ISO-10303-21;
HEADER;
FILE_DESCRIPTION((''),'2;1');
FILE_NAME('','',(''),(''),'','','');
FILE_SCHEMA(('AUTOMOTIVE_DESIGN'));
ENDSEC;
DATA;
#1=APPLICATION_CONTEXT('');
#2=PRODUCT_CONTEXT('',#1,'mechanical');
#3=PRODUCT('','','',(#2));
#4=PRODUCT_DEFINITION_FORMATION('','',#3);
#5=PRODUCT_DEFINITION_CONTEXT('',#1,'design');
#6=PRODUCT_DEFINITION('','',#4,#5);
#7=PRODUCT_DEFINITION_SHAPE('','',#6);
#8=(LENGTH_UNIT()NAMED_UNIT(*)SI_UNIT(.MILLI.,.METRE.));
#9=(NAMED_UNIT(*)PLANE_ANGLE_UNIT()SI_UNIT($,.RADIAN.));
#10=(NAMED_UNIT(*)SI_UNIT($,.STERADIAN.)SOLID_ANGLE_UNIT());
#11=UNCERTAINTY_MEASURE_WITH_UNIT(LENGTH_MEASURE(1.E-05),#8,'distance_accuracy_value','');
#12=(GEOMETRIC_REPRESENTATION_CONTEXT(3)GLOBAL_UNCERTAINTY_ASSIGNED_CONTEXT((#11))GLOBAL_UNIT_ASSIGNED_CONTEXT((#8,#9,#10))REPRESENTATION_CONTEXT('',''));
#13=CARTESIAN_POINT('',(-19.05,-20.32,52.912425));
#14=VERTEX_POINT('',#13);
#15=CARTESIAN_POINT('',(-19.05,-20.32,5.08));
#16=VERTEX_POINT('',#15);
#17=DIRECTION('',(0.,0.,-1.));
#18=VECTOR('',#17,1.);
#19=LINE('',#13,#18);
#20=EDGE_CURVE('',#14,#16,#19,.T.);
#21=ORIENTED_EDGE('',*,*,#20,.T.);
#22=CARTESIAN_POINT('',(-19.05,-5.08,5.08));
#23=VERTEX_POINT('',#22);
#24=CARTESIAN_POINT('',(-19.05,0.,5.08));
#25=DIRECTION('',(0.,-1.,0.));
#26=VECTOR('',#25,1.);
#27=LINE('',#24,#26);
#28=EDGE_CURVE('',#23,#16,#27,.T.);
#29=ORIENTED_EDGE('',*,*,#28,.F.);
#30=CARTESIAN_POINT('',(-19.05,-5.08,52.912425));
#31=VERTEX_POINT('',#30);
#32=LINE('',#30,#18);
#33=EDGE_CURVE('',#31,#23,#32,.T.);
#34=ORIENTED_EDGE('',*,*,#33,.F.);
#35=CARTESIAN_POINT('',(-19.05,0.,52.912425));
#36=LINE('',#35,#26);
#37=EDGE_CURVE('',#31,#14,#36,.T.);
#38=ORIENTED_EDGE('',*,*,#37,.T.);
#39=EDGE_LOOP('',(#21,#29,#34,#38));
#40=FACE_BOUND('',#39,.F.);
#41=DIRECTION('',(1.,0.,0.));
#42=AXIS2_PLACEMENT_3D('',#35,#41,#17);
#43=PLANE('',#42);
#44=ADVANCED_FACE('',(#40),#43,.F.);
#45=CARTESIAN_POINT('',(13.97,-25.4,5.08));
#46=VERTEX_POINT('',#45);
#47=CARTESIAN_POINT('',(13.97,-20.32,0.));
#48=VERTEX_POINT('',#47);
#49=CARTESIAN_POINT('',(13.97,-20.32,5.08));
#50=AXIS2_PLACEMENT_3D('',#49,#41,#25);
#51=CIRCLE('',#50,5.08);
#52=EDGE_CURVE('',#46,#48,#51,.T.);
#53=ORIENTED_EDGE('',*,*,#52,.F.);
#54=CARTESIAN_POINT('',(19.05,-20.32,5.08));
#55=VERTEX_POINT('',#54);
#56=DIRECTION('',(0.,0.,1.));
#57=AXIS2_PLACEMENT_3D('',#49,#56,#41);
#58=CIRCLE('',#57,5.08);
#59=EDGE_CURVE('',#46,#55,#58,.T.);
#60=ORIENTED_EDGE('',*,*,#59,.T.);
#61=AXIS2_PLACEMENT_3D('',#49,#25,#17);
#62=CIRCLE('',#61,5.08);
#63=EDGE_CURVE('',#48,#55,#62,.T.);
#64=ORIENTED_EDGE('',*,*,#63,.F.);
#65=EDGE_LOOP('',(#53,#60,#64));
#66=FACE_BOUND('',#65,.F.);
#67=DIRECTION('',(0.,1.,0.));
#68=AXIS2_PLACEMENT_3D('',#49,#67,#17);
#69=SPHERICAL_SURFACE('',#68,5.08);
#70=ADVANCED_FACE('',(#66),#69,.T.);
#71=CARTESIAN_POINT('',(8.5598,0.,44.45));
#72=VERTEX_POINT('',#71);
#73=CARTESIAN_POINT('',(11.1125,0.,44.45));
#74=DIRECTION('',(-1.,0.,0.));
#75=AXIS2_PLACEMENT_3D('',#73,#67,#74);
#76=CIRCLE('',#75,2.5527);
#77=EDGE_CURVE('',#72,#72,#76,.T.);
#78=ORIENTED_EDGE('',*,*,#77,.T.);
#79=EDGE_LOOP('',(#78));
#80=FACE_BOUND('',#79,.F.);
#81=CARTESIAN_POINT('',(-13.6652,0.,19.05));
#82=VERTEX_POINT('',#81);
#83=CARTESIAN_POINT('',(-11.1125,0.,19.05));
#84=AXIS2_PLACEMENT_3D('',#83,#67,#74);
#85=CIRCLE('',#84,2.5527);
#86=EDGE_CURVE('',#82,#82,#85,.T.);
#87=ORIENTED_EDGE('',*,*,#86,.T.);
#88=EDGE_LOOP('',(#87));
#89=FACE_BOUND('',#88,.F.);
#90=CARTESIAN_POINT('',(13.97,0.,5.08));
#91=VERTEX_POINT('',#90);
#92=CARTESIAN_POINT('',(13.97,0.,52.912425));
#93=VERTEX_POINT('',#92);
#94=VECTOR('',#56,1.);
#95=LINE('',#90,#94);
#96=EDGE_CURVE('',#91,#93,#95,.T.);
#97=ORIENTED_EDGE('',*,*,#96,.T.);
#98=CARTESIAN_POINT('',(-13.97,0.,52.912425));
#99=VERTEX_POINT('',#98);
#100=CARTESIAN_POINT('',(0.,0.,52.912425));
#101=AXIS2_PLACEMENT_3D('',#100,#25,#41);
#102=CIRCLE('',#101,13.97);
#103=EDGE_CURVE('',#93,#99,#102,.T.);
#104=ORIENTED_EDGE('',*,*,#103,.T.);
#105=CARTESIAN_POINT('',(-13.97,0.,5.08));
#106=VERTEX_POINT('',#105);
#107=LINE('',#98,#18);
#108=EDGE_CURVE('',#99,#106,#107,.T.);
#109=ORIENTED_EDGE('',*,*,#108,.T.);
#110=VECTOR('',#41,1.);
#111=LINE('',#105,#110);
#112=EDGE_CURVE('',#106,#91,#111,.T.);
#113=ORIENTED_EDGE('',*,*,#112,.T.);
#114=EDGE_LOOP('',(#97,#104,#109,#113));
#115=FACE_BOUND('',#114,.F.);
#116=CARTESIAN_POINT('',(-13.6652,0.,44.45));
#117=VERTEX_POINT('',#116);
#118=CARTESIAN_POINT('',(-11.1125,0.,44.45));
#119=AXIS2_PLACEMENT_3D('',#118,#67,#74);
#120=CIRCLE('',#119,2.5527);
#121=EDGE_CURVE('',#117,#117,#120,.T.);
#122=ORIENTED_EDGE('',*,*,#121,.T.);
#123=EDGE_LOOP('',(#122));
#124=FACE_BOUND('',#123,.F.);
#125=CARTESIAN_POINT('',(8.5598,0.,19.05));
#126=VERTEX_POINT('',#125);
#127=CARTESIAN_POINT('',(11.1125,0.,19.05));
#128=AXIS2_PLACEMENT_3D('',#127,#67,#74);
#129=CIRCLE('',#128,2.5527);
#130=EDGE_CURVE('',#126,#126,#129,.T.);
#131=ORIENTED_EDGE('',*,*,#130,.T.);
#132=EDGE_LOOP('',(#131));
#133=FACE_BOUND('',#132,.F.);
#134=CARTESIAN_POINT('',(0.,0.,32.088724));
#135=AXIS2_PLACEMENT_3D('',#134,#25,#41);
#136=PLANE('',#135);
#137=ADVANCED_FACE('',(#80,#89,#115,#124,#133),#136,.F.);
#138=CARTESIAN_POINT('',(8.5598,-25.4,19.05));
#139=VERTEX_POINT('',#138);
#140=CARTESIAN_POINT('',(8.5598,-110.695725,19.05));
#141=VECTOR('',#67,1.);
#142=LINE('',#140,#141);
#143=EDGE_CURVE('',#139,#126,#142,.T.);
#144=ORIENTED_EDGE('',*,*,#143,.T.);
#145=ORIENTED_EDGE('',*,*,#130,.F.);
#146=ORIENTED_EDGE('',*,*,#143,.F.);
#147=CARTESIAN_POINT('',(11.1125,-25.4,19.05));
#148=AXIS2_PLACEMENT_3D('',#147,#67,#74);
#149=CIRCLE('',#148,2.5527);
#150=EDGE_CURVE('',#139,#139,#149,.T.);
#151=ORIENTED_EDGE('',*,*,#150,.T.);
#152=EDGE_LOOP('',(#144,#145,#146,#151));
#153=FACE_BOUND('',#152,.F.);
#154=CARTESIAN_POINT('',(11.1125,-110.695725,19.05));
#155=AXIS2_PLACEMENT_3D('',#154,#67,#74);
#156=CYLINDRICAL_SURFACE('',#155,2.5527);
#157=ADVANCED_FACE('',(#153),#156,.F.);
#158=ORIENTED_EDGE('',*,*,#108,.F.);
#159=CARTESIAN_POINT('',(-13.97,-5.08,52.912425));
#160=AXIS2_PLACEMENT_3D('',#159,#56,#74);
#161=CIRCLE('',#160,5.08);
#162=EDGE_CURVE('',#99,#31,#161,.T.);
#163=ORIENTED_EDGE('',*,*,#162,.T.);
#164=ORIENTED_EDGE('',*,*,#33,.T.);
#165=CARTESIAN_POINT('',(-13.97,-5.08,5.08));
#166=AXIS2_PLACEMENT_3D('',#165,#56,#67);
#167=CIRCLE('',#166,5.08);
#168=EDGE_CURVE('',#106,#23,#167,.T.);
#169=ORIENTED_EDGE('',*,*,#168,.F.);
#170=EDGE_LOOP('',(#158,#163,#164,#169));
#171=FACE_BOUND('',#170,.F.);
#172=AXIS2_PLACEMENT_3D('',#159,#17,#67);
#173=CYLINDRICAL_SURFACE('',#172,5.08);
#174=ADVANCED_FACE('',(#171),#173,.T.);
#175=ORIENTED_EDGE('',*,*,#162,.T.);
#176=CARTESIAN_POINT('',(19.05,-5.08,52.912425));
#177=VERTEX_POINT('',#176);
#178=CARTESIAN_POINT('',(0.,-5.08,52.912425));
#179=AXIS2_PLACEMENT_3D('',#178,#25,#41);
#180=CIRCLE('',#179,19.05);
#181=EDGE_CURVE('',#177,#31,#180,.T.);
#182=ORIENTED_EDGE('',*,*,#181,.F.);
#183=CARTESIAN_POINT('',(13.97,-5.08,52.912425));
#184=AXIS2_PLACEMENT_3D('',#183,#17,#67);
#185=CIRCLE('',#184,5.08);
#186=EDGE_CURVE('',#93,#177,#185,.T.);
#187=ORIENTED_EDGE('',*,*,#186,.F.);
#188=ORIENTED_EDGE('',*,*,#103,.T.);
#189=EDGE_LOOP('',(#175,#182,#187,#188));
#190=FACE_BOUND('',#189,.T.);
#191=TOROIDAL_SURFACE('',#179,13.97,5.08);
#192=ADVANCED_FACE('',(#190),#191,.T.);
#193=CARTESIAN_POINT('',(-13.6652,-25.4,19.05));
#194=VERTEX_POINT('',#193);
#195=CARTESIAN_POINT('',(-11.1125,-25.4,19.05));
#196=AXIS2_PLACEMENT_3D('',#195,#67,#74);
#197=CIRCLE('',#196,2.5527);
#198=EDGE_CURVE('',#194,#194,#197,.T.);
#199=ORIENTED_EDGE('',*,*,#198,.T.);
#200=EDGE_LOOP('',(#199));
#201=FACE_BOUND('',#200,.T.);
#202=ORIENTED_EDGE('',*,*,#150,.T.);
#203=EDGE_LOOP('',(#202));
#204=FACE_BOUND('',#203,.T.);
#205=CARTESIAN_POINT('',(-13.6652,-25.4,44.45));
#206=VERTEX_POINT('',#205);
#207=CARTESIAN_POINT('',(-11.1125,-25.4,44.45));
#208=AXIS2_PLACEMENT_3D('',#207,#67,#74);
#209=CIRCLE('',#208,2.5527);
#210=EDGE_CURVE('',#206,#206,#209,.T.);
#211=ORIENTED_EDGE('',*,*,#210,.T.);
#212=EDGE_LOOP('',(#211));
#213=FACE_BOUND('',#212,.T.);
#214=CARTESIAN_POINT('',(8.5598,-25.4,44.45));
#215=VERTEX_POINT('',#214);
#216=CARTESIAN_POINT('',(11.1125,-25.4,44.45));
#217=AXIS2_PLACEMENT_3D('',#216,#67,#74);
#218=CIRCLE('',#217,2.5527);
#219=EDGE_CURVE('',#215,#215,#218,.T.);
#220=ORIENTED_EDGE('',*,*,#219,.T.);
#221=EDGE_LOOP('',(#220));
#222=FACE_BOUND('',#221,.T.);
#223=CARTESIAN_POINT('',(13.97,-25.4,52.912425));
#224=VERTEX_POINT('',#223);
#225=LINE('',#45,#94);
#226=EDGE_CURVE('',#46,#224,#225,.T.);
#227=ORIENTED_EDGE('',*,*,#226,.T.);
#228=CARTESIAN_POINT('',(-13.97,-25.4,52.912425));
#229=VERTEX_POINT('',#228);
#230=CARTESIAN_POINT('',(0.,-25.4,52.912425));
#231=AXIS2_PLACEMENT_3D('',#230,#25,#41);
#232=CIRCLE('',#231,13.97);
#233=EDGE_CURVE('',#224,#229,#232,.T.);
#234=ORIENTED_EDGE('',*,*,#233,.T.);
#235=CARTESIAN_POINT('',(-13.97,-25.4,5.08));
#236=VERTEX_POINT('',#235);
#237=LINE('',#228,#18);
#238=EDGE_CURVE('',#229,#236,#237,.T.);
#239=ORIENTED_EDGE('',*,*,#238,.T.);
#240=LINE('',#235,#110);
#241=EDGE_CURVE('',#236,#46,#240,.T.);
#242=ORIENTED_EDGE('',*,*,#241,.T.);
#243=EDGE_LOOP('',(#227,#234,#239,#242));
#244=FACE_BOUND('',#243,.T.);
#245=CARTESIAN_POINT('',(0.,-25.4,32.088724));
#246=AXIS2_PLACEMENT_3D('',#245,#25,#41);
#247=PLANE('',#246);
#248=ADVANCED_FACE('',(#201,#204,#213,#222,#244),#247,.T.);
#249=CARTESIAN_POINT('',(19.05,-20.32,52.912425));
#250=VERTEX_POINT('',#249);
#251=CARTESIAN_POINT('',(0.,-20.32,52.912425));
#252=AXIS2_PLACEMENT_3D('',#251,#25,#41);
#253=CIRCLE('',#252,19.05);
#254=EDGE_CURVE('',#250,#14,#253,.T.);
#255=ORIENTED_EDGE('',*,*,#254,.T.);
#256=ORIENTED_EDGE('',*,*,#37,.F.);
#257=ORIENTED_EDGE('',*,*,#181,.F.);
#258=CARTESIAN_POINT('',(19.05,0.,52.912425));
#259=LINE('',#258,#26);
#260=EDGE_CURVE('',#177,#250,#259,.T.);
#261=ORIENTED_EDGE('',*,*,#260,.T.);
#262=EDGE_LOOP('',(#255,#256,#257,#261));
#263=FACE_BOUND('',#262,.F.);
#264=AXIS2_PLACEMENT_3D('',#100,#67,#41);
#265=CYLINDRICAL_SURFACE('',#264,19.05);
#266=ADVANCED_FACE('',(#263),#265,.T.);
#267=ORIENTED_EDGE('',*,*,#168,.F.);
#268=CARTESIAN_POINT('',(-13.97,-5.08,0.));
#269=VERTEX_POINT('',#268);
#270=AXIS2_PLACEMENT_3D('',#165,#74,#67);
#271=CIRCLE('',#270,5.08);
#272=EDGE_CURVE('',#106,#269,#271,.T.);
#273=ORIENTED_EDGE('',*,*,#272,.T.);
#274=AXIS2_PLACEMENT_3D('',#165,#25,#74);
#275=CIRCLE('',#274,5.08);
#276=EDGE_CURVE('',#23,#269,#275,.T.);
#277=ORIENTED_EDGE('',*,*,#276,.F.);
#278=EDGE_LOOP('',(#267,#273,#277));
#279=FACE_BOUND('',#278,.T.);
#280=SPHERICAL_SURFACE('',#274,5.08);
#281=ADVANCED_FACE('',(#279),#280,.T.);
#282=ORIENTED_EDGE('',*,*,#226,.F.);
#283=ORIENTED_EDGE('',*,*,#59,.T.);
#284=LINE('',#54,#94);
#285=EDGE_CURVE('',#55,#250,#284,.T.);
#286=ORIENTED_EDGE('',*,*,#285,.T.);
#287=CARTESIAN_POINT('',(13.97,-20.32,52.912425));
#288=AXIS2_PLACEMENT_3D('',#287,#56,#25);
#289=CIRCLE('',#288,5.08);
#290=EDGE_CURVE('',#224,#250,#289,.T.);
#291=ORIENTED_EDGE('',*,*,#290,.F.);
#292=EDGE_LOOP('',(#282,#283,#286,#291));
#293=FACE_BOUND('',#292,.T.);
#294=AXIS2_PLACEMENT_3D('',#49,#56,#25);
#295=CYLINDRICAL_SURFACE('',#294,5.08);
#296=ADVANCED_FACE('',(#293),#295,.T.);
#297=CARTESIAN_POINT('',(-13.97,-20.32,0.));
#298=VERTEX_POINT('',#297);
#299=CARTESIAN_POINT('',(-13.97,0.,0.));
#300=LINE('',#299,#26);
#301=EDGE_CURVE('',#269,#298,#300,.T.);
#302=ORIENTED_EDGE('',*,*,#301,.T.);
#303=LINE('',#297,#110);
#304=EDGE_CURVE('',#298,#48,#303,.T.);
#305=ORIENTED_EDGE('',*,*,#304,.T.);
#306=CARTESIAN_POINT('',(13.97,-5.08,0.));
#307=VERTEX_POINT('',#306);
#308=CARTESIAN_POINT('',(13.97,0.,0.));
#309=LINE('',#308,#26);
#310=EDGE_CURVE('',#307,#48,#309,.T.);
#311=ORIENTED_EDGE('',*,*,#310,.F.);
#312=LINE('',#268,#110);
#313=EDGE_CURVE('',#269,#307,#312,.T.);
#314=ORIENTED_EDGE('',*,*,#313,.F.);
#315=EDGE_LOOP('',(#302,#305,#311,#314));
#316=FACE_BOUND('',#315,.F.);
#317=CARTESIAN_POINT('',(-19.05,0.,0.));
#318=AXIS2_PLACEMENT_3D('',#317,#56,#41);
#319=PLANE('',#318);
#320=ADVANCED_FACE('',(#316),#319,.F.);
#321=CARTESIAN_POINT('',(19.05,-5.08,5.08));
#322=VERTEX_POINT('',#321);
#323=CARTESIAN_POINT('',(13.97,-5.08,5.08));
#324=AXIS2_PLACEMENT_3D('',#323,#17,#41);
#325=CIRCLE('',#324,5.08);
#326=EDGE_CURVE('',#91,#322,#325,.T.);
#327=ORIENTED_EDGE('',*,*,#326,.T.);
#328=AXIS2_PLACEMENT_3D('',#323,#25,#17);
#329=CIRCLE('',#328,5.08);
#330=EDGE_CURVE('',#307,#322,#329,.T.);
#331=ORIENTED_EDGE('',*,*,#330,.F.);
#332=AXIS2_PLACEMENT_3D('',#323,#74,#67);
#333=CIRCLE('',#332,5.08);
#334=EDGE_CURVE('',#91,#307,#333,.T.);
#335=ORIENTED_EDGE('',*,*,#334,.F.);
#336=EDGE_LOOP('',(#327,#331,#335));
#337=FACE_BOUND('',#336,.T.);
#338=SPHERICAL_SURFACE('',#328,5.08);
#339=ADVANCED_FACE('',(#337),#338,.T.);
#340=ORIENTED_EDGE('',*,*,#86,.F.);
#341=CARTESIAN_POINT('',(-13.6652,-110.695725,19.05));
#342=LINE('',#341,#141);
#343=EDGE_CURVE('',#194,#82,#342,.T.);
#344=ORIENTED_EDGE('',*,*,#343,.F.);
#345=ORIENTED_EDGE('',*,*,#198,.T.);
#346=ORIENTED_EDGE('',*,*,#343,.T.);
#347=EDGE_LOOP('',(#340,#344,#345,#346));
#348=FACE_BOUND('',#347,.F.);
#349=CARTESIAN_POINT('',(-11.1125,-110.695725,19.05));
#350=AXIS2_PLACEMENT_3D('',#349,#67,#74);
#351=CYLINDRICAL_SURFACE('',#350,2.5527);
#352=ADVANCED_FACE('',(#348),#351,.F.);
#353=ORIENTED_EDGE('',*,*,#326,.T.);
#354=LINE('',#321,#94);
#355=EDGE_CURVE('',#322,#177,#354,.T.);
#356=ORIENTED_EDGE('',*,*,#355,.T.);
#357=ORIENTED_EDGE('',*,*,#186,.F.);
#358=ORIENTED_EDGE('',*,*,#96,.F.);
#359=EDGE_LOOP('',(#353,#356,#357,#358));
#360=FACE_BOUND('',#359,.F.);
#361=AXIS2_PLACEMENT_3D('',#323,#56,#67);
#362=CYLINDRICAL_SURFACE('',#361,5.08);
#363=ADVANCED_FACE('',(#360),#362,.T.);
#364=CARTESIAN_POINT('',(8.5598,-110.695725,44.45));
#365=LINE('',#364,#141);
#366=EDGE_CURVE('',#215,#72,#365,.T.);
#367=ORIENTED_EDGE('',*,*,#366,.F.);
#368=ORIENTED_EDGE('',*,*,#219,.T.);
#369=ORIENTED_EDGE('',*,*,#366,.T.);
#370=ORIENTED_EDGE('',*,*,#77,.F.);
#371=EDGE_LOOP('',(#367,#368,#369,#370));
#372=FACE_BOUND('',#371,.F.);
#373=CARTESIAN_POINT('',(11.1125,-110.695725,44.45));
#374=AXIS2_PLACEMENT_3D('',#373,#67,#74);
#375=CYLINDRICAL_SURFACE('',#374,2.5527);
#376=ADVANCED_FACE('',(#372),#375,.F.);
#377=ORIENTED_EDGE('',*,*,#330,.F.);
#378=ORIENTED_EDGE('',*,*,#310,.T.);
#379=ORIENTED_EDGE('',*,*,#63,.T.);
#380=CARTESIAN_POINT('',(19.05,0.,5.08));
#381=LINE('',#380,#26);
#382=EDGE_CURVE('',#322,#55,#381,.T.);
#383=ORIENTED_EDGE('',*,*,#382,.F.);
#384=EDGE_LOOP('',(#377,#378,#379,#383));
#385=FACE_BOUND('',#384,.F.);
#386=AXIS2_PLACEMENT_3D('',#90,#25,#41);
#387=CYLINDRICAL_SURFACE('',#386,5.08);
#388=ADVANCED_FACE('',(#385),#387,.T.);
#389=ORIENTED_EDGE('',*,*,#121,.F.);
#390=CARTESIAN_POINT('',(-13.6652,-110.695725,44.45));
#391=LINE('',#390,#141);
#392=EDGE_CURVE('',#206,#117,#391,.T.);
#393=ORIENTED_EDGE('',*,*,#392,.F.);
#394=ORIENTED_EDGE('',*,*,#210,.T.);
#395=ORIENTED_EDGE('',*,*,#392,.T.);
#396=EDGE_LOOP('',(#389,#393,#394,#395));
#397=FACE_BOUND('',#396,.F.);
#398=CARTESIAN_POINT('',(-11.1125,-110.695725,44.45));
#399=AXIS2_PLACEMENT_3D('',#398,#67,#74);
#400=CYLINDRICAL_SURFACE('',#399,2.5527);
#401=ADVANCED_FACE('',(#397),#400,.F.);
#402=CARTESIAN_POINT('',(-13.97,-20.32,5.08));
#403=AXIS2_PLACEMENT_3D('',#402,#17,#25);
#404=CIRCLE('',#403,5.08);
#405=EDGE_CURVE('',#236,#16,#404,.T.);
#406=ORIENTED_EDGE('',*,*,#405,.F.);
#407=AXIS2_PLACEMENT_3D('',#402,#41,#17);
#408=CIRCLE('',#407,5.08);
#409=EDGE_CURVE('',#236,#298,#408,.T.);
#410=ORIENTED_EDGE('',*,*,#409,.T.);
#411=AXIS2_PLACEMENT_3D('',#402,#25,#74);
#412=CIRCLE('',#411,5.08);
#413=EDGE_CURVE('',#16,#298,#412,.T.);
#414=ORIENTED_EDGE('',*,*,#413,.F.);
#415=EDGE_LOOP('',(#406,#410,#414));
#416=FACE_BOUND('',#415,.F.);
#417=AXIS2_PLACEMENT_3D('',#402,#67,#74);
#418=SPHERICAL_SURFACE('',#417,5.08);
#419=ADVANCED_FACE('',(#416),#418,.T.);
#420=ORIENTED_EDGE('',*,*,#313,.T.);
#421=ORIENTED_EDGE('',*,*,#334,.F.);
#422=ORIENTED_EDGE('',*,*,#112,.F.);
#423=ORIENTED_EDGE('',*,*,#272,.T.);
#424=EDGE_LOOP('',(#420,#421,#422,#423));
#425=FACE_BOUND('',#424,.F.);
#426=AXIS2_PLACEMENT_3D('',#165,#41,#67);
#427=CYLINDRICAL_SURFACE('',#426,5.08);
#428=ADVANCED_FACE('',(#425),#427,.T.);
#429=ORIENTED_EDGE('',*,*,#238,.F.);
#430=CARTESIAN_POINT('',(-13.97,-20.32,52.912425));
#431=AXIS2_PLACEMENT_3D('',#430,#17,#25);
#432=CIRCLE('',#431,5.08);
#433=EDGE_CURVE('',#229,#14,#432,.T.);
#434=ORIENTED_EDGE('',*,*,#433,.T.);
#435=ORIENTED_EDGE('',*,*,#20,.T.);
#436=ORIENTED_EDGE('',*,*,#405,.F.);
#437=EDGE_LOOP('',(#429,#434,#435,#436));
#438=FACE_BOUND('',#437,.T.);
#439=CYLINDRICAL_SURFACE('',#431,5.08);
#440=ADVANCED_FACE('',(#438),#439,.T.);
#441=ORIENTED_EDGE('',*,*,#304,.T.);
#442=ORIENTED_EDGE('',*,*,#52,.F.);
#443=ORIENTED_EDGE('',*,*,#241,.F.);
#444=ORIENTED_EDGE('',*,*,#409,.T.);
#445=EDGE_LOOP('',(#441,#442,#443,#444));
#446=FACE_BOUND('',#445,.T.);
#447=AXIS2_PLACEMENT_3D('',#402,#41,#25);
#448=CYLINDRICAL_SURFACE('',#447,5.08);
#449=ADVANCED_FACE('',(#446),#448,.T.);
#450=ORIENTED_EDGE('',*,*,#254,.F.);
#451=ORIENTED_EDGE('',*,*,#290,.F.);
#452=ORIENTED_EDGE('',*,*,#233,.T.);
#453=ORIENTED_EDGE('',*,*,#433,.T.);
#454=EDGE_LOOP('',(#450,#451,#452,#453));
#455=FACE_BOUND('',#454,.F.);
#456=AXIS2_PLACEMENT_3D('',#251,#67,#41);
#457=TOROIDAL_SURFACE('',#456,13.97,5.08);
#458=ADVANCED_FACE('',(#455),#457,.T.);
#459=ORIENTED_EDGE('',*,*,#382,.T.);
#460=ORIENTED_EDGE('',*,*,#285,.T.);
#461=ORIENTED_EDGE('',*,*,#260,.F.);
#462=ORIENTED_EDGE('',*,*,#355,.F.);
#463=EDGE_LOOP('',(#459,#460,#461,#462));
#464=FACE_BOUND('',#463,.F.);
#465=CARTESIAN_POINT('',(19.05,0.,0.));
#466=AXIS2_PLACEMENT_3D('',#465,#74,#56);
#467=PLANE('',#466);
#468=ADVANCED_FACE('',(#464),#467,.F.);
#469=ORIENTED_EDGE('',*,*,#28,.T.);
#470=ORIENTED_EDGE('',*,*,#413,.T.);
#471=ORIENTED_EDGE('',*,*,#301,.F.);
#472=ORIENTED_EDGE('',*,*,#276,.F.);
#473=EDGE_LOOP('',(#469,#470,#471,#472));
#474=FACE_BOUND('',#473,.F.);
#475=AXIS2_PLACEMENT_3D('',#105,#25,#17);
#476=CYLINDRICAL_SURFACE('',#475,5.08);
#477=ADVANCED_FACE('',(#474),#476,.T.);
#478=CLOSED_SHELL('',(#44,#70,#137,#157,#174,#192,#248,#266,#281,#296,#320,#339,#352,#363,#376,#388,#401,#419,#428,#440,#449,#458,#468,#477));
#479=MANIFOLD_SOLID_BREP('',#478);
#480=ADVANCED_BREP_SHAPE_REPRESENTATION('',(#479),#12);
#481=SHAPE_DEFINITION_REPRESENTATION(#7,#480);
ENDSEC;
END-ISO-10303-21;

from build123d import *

# Parameters (mm, degrees)
F1_DEPTH = 25.4
F3_D     = 5.1054
F4_R     = 5.08
F5_R     = 5.08


with BuildPart() as f1:
    # F0 (on Front) → F1 (new body)
    with BuildSketch(Plane.XZ):
        with BuildLine():
            Line((19.05, 0), (19.05, 52.9124252498))
            ThreePointArc((19.05, 52.9124252498), (0, 71.9624252498), (-19.05, 52.9124252498))
            Line((-19.05, 52.9124252498), (-19.05, 0))
            Line((-19.05, 0), (19.05, 0))
        make_face()
    extrude(amount=F1_DEPTH)

    # F3 (through all)
    with Locations(Plane.XZ.offset(25.4)):
        with Locations((-11.1125, 44.45), (11.1125, 44.45), (11.1125, 19.05), (-11.1125, 19.05)):
            Hole(F3_D / 2)

    # F4
    f4_edges = [f1.edges().sort_by_distance(p)[0] for p in [
        (-19.05, -12.7, 0),
        (19.05, -12.7, 0),
    ]]
    fillet(f4_edges, radius=F4_R)

    # F5
    f5_edges = [f1.edges().sort_by_distance(p)[0] for p in [
        (-19.05, -25.4, 28.996213),
        (0, -25.4, 0),
        (0, 0, 0),
        (19.05, 0, 28.996213),
    ]]
    fillet(f5_edges, radius=F5_R)


solid = f1.part
